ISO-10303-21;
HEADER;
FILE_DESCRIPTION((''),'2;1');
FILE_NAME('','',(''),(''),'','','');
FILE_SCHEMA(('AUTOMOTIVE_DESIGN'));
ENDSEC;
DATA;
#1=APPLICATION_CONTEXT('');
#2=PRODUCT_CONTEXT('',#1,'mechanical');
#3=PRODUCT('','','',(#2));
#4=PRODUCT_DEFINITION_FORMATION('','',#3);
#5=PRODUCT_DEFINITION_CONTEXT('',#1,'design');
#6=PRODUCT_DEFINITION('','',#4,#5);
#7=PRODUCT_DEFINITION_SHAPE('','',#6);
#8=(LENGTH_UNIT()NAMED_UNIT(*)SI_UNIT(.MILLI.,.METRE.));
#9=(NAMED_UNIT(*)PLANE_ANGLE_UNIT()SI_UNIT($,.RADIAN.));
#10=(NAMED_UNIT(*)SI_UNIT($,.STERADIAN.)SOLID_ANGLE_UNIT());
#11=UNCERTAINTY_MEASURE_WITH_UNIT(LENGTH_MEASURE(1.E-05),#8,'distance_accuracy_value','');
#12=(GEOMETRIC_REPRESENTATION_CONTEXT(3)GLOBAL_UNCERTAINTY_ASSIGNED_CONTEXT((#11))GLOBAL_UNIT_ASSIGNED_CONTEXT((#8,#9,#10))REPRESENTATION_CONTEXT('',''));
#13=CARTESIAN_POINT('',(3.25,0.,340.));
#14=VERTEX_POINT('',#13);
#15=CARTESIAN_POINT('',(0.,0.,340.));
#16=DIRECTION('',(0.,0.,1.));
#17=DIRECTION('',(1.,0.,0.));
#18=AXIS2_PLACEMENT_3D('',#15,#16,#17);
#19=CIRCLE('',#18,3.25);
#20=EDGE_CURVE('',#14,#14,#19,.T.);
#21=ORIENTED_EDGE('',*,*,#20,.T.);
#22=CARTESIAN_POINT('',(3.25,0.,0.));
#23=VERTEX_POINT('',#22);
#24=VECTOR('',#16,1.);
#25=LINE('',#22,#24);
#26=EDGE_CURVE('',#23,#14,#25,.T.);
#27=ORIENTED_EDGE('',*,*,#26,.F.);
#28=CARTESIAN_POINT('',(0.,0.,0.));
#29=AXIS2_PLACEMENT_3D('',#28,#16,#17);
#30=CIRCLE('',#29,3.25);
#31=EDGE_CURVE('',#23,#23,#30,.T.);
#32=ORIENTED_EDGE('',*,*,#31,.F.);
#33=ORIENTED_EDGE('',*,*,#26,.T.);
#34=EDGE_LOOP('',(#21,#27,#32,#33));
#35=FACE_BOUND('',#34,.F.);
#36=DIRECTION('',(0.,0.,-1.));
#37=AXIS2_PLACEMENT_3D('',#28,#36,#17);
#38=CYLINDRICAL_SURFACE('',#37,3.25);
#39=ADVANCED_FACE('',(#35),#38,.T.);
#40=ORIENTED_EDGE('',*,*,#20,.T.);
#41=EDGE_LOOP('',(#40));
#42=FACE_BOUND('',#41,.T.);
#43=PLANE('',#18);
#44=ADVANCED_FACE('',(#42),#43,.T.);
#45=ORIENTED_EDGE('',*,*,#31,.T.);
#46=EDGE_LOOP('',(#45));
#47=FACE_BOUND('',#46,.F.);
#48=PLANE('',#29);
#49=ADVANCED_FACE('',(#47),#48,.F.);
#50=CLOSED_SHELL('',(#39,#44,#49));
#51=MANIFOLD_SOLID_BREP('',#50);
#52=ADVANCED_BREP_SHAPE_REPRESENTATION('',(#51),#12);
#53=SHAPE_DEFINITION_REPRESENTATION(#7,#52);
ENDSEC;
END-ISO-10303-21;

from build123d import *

# Parameters (mm, degrees)
CYLINDER_R     = 3.25
CYLINDER_DEPTH = 340


with BuildPart() as part:
    # Cylinder → Cylinder (new body)
    with BuildSketch(Plane.XY):
        Circle(CYLINDER_R)
    extrude(amount=CYLINDER_DEPTH)


solid = part.part
